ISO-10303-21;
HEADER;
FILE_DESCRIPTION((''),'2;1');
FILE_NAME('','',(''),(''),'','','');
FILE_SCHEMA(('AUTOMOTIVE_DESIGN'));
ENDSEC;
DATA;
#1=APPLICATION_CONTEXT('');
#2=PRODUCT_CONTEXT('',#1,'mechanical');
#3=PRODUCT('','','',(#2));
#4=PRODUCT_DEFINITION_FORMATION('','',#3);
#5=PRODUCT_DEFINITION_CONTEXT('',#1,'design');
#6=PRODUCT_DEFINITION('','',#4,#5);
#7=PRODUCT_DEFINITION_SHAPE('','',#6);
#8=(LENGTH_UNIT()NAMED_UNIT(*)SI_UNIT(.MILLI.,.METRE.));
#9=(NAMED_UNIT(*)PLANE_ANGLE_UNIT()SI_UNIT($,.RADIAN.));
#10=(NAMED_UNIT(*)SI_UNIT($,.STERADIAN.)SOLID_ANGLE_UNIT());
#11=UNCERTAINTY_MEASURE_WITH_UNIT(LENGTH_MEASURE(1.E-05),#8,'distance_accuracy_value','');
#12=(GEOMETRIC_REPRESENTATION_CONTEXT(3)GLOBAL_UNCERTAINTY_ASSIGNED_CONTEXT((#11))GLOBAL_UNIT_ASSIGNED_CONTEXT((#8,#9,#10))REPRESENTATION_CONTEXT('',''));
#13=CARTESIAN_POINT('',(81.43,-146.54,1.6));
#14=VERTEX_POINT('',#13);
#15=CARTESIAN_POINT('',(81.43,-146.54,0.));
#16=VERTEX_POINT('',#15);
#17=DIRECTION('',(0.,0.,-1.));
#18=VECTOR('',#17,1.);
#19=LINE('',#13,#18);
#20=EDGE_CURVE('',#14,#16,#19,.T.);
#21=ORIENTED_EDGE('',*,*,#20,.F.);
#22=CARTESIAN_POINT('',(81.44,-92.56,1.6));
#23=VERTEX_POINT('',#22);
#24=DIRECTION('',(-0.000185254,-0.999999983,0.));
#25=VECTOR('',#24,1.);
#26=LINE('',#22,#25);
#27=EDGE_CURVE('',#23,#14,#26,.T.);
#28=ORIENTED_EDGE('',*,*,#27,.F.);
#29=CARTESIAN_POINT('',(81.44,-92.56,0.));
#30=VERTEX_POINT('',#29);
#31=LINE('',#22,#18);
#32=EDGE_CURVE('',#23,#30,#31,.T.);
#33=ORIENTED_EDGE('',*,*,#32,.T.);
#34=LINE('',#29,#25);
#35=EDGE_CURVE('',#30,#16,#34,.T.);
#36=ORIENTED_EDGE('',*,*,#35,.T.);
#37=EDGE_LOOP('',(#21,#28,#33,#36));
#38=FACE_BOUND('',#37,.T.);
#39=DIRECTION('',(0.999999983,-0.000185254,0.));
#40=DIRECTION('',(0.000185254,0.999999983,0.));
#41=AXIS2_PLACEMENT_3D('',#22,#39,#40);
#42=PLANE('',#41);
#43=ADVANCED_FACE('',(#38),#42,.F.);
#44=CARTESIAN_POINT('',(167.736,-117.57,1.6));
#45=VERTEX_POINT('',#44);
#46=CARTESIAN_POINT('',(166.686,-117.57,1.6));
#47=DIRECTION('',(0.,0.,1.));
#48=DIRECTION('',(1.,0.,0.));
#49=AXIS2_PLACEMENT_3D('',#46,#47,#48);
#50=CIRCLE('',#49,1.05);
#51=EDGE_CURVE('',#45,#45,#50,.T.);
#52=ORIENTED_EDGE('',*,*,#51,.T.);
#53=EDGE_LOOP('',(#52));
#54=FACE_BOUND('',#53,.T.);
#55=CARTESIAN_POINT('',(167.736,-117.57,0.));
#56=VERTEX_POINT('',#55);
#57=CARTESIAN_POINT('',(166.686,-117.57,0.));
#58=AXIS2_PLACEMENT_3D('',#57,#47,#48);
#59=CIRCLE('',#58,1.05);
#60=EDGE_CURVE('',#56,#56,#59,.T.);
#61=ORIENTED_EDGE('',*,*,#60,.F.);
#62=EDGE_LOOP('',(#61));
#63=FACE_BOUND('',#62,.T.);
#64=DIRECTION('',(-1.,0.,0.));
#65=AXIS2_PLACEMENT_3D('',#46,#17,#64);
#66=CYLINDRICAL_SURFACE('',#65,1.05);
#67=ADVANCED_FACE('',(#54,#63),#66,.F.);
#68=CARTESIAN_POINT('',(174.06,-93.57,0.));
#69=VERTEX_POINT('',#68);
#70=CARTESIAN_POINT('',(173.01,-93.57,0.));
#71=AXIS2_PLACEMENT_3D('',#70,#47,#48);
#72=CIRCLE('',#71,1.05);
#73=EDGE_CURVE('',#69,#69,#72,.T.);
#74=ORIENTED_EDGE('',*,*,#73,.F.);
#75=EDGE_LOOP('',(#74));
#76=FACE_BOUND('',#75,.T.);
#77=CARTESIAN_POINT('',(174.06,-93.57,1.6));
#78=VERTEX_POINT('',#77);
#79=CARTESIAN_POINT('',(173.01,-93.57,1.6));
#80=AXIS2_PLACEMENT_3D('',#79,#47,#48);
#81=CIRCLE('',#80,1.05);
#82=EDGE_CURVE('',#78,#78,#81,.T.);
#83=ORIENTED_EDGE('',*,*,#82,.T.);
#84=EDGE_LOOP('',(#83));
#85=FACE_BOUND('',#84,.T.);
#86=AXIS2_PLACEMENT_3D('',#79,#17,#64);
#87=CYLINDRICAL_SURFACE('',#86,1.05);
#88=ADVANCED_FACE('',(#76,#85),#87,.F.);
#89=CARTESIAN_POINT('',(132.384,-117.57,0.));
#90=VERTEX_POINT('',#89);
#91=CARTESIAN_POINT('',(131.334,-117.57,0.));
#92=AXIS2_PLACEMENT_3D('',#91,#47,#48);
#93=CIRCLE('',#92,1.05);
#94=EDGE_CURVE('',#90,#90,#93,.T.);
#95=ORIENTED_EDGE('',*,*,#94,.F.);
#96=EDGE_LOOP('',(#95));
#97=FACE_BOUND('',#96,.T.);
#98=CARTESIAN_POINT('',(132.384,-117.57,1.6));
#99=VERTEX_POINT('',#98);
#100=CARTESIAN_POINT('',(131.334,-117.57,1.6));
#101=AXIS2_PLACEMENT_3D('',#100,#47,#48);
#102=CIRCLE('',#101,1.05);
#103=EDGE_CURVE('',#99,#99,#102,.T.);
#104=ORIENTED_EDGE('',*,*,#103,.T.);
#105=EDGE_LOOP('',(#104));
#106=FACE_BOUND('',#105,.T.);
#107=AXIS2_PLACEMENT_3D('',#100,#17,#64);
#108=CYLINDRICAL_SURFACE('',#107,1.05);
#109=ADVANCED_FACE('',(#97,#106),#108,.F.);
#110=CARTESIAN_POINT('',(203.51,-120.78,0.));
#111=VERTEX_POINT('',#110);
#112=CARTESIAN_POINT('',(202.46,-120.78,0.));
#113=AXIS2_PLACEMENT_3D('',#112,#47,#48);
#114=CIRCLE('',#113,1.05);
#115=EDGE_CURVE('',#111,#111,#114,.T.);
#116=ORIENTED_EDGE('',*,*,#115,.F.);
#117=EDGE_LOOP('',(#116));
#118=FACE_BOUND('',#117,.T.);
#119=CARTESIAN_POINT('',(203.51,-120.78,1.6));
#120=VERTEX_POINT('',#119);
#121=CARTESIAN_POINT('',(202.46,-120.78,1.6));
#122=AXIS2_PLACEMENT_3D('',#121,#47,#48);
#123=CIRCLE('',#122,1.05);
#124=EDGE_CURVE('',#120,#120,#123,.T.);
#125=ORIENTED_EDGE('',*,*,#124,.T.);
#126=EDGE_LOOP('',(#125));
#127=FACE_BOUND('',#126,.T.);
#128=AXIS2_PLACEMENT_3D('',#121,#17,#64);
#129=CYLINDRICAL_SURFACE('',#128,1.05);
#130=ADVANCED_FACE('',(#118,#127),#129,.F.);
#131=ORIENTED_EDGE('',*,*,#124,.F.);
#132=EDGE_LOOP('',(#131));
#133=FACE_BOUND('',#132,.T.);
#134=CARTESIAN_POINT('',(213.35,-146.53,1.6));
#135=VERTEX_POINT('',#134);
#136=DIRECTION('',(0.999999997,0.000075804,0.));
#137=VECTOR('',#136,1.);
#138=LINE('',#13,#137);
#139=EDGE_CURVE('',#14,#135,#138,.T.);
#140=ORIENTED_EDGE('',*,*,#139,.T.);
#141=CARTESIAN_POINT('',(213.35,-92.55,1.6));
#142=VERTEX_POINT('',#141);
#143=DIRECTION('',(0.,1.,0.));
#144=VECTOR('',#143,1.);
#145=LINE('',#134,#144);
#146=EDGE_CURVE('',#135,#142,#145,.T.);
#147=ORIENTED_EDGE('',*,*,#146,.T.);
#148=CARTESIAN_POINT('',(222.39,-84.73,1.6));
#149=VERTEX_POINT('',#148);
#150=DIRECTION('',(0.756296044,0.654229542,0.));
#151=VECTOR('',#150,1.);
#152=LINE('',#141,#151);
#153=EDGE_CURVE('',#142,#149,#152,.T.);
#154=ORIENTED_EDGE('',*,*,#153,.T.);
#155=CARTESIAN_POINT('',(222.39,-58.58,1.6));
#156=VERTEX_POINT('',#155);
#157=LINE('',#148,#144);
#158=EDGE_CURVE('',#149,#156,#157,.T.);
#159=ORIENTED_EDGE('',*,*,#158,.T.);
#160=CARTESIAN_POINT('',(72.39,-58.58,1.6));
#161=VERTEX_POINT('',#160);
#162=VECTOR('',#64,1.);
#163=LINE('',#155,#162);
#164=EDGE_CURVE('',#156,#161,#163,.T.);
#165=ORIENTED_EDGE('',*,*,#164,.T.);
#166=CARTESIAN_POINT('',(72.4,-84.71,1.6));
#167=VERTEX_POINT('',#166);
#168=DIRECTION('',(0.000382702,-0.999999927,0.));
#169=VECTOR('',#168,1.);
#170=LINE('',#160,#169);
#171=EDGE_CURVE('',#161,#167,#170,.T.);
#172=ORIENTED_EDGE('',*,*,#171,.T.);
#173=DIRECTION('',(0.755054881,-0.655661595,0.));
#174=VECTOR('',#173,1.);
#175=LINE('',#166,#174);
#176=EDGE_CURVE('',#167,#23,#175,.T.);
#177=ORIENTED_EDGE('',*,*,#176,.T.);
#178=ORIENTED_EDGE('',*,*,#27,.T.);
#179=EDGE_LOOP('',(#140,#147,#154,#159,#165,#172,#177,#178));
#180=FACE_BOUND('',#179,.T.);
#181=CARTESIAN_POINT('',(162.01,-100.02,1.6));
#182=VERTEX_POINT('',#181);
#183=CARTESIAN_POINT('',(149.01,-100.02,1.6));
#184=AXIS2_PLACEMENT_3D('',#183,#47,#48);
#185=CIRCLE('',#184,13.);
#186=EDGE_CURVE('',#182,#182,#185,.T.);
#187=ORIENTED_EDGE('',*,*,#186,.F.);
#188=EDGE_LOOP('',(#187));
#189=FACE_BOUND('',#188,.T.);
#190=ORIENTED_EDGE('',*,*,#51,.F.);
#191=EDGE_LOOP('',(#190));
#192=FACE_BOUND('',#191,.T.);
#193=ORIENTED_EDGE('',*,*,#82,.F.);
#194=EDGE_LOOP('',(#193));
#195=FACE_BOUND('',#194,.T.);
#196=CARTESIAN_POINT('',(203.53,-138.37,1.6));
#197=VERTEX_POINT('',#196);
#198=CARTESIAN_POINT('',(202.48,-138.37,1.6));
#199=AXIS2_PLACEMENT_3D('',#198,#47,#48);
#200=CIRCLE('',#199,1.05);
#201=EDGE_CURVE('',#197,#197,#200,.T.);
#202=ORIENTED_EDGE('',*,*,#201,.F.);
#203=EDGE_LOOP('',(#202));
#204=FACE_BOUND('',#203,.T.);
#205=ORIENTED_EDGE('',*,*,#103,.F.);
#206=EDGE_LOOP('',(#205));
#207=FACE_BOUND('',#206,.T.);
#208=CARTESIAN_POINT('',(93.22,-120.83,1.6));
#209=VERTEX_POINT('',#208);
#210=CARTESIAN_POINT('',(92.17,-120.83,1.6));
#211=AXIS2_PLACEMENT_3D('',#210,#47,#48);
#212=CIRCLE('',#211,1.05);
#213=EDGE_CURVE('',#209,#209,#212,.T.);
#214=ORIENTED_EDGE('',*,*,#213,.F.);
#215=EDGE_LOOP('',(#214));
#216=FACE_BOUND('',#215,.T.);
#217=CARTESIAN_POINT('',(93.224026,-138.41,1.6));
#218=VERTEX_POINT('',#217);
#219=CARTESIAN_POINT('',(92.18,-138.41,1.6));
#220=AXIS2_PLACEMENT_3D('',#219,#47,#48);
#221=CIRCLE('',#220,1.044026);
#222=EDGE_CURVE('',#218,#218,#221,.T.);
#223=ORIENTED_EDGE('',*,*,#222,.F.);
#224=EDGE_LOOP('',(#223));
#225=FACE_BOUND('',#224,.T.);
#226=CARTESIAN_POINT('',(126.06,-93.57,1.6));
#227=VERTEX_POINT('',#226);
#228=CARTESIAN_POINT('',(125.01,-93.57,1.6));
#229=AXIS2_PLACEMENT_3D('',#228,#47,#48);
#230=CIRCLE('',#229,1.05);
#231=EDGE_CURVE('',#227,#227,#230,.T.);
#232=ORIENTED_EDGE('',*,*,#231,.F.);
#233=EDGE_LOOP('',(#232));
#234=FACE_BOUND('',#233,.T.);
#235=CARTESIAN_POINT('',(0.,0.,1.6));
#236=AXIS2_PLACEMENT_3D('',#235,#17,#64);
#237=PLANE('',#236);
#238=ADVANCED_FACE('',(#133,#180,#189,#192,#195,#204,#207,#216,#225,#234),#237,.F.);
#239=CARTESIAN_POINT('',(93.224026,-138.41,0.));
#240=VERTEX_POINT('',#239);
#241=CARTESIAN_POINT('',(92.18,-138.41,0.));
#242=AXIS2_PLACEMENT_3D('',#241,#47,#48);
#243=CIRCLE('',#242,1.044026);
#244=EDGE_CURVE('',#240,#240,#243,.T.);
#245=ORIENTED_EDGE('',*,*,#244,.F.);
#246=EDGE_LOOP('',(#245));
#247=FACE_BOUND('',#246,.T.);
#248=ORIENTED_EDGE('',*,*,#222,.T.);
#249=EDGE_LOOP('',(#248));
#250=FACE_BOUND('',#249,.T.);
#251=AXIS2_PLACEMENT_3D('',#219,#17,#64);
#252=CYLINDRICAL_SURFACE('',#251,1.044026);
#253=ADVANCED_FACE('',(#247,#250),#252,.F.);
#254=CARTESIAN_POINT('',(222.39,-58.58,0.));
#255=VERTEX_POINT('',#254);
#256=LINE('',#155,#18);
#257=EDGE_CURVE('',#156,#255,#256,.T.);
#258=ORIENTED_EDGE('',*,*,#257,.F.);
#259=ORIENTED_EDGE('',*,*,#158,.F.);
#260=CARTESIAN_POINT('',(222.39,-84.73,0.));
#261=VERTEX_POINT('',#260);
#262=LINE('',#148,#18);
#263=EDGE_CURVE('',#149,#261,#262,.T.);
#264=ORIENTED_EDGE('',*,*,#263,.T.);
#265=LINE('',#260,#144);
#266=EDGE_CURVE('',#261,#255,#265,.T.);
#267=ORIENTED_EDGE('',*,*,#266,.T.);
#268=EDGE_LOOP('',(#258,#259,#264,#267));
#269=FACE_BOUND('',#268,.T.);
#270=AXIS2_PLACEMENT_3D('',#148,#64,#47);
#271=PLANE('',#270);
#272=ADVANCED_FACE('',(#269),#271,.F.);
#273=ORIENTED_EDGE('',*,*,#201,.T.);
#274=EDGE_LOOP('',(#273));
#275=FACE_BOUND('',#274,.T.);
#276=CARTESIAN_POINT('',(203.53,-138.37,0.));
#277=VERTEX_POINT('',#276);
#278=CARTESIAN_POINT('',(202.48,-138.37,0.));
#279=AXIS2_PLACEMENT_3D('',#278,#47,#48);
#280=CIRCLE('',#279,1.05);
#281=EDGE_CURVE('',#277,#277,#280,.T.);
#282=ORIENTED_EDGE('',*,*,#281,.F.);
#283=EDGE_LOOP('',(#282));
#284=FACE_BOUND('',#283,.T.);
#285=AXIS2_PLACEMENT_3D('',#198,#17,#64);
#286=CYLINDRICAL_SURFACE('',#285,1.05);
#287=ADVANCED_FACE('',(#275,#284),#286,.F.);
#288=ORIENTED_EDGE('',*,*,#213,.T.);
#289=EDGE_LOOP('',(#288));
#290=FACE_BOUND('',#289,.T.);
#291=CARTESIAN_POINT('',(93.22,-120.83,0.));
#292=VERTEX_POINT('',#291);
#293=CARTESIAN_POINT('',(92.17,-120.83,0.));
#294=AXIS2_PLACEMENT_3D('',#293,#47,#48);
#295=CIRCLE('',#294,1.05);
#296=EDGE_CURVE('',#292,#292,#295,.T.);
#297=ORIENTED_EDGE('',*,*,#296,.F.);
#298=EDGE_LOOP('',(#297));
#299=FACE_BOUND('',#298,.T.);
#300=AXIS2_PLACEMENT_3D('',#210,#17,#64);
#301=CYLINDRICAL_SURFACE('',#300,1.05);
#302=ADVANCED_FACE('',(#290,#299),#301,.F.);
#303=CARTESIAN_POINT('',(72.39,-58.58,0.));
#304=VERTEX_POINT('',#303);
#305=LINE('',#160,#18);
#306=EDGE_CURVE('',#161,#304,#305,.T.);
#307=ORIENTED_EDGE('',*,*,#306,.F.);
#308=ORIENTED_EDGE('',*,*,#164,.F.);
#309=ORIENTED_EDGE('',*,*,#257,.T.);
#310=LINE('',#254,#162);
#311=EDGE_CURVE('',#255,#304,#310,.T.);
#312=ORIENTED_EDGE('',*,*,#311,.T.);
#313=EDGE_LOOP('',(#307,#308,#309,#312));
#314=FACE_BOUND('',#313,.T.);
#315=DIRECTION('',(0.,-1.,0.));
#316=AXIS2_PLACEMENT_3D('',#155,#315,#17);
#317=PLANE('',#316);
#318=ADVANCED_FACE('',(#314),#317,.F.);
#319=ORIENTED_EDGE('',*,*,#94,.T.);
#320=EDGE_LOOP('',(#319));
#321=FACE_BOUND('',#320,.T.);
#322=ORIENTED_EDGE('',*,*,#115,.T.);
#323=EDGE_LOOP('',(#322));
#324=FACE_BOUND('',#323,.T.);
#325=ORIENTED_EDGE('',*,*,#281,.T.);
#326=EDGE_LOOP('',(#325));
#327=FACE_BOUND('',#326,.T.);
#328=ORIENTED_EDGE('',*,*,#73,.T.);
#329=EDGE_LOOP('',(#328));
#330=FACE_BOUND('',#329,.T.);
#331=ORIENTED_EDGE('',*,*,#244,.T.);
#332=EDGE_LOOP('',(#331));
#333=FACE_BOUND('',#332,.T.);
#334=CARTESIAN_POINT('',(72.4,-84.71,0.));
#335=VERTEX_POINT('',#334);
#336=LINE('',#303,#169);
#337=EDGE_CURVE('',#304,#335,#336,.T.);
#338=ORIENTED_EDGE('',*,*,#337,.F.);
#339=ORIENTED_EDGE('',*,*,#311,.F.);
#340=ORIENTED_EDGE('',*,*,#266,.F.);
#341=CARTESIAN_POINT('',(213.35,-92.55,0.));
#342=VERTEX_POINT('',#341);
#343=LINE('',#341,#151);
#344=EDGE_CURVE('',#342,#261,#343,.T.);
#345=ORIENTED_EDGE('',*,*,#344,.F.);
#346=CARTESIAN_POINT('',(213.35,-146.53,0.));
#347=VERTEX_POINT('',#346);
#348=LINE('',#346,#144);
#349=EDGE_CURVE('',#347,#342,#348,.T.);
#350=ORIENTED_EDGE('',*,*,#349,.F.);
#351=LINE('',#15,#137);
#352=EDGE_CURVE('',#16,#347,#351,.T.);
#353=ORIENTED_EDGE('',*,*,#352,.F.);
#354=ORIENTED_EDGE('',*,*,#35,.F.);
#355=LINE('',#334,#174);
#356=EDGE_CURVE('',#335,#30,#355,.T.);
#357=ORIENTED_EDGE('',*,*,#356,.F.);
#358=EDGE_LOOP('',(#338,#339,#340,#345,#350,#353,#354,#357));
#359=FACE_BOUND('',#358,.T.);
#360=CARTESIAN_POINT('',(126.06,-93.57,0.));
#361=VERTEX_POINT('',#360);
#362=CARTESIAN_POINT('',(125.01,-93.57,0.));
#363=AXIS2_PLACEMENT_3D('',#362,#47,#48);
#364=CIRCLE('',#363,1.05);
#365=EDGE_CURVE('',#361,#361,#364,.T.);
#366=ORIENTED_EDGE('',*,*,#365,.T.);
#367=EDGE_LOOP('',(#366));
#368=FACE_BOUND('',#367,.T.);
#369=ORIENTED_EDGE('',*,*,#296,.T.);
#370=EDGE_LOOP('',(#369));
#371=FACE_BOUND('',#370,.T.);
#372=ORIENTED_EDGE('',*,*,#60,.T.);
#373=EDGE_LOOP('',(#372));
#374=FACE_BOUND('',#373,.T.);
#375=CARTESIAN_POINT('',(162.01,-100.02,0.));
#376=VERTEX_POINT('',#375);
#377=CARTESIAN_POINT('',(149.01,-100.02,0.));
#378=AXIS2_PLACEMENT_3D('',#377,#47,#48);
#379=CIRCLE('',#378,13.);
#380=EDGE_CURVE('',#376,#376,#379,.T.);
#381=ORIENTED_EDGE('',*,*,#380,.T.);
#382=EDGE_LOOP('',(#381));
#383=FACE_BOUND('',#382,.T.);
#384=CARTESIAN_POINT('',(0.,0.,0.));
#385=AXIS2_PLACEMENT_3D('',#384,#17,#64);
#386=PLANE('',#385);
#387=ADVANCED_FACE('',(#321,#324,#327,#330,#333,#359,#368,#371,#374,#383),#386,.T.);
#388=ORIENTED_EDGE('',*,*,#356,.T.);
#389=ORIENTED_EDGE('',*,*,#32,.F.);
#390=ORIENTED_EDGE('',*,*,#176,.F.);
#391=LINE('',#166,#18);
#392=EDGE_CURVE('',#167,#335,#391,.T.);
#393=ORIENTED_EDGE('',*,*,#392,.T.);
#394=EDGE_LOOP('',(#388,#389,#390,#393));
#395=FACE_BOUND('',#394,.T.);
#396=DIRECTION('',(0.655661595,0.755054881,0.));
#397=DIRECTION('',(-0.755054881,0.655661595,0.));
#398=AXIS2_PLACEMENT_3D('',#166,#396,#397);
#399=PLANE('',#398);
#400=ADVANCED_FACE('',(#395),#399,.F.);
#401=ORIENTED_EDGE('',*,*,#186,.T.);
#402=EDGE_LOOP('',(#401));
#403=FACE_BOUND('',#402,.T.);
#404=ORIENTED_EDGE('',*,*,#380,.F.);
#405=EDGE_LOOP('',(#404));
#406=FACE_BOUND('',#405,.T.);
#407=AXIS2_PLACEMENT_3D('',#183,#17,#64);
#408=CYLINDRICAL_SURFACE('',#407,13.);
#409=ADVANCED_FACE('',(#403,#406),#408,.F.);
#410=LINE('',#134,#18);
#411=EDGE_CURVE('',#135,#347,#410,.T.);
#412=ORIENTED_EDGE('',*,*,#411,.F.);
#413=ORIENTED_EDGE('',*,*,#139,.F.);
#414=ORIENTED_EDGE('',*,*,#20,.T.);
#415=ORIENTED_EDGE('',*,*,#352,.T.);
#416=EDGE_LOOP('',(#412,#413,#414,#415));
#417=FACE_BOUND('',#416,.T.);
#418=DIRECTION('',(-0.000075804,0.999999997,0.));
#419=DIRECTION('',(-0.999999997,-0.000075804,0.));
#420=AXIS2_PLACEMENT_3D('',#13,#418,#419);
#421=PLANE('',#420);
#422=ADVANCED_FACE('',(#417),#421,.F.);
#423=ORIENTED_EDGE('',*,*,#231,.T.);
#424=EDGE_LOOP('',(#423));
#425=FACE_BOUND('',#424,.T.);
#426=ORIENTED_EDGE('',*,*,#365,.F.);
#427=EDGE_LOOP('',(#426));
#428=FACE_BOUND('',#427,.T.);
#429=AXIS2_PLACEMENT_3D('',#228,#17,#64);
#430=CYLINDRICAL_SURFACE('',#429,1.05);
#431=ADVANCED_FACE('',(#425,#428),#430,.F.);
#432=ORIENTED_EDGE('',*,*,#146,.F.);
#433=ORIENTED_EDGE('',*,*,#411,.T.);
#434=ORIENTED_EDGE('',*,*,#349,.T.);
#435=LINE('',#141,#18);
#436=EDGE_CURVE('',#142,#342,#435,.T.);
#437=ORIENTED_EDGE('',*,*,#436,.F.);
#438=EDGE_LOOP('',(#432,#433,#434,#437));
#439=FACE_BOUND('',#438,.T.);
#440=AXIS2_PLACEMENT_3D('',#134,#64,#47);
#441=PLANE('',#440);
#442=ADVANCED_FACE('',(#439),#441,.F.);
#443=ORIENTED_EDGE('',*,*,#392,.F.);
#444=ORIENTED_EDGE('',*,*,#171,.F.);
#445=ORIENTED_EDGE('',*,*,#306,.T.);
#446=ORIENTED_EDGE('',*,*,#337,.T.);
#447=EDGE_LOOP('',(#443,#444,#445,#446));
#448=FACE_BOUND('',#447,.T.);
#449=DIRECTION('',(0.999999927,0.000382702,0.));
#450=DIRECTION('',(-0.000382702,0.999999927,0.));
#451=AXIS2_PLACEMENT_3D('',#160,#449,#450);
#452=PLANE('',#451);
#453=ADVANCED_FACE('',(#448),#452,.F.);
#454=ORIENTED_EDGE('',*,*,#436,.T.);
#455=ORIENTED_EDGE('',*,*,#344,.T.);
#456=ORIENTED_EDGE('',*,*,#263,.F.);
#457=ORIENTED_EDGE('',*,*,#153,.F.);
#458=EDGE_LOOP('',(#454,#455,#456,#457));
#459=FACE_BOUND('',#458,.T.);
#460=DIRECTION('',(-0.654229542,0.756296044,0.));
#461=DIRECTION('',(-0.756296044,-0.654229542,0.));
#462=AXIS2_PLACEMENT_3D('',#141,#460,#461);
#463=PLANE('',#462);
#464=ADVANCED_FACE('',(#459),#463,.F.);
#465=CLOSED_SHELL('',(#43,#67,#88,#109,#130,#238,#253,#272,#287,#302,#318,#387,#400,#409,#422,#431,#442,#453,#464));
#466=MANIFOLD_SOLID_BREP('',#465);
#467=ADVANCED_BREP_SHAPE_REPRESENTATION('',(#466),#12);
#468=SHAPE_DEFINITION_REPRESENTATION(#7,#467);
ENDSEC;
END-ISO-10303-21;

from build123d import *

# Parameters (mm, degrees)
SKETCH1_R           = 13
SKETCH1_R_2         = 1.05
SKETCH1_R_3         = 1.044026492
BOSS_EXTRUDE1_DEPTH = 1.6


with BuildPart() as part:
    # Sketch1 → Boss-Extrude1 (new body)
    with BuildSketch(Plane.XY):
        Polygon((72.39, -58.58), (72.4, -84.71), (81.44, -92.56), (81.43, -146.54), (213.35, -146.53), (213.35, -92.55), (222.39, -84.73), (222.39, -58.58), align=None)
        with Locations((149.01, -100.02)):
            Circle(SKETCH1_R, mode=Mode.SUBTRACT)
        with Locations((202.46, -120.78)):
            Circle(SKETCH1_R_2, mode=Mode.SUBTRACT)
        with Locations((202.48, -138.37)):
            Circle(SKETCH1_R_2, mode=Mode.SUBTRACT)
        with Locations((92.18, -138.41)):
            Circle(SKETCH1_R_3, mode=Mode.SUBTRACT)
        with Locations((92.17, -120.83)):
            Circle(SKETCH1_R_2, mode=Mode.SUBTRACT)
        with Locations((131.334, -117.57)):
            Circle(SKETCH1_R_2, mode=Mode.SUBTRACT)
        with Locations((166.686, -117.57)):
            Circle(SKETCH1_R_2, mode=Mode.SUBTRACT)
        with Locations((173.01, -93.57)):
            Circle(SKETCH1_R_2, mode=Mode.SUBTRACT)
        with Locations((125.01, -93.57)):
            Circle(SKETCH1_R_2, mode=Mode.SUBTRACT)
    extrude(amount=BOSS_EXTRUDE1_DEPTH)


solid = part.part
